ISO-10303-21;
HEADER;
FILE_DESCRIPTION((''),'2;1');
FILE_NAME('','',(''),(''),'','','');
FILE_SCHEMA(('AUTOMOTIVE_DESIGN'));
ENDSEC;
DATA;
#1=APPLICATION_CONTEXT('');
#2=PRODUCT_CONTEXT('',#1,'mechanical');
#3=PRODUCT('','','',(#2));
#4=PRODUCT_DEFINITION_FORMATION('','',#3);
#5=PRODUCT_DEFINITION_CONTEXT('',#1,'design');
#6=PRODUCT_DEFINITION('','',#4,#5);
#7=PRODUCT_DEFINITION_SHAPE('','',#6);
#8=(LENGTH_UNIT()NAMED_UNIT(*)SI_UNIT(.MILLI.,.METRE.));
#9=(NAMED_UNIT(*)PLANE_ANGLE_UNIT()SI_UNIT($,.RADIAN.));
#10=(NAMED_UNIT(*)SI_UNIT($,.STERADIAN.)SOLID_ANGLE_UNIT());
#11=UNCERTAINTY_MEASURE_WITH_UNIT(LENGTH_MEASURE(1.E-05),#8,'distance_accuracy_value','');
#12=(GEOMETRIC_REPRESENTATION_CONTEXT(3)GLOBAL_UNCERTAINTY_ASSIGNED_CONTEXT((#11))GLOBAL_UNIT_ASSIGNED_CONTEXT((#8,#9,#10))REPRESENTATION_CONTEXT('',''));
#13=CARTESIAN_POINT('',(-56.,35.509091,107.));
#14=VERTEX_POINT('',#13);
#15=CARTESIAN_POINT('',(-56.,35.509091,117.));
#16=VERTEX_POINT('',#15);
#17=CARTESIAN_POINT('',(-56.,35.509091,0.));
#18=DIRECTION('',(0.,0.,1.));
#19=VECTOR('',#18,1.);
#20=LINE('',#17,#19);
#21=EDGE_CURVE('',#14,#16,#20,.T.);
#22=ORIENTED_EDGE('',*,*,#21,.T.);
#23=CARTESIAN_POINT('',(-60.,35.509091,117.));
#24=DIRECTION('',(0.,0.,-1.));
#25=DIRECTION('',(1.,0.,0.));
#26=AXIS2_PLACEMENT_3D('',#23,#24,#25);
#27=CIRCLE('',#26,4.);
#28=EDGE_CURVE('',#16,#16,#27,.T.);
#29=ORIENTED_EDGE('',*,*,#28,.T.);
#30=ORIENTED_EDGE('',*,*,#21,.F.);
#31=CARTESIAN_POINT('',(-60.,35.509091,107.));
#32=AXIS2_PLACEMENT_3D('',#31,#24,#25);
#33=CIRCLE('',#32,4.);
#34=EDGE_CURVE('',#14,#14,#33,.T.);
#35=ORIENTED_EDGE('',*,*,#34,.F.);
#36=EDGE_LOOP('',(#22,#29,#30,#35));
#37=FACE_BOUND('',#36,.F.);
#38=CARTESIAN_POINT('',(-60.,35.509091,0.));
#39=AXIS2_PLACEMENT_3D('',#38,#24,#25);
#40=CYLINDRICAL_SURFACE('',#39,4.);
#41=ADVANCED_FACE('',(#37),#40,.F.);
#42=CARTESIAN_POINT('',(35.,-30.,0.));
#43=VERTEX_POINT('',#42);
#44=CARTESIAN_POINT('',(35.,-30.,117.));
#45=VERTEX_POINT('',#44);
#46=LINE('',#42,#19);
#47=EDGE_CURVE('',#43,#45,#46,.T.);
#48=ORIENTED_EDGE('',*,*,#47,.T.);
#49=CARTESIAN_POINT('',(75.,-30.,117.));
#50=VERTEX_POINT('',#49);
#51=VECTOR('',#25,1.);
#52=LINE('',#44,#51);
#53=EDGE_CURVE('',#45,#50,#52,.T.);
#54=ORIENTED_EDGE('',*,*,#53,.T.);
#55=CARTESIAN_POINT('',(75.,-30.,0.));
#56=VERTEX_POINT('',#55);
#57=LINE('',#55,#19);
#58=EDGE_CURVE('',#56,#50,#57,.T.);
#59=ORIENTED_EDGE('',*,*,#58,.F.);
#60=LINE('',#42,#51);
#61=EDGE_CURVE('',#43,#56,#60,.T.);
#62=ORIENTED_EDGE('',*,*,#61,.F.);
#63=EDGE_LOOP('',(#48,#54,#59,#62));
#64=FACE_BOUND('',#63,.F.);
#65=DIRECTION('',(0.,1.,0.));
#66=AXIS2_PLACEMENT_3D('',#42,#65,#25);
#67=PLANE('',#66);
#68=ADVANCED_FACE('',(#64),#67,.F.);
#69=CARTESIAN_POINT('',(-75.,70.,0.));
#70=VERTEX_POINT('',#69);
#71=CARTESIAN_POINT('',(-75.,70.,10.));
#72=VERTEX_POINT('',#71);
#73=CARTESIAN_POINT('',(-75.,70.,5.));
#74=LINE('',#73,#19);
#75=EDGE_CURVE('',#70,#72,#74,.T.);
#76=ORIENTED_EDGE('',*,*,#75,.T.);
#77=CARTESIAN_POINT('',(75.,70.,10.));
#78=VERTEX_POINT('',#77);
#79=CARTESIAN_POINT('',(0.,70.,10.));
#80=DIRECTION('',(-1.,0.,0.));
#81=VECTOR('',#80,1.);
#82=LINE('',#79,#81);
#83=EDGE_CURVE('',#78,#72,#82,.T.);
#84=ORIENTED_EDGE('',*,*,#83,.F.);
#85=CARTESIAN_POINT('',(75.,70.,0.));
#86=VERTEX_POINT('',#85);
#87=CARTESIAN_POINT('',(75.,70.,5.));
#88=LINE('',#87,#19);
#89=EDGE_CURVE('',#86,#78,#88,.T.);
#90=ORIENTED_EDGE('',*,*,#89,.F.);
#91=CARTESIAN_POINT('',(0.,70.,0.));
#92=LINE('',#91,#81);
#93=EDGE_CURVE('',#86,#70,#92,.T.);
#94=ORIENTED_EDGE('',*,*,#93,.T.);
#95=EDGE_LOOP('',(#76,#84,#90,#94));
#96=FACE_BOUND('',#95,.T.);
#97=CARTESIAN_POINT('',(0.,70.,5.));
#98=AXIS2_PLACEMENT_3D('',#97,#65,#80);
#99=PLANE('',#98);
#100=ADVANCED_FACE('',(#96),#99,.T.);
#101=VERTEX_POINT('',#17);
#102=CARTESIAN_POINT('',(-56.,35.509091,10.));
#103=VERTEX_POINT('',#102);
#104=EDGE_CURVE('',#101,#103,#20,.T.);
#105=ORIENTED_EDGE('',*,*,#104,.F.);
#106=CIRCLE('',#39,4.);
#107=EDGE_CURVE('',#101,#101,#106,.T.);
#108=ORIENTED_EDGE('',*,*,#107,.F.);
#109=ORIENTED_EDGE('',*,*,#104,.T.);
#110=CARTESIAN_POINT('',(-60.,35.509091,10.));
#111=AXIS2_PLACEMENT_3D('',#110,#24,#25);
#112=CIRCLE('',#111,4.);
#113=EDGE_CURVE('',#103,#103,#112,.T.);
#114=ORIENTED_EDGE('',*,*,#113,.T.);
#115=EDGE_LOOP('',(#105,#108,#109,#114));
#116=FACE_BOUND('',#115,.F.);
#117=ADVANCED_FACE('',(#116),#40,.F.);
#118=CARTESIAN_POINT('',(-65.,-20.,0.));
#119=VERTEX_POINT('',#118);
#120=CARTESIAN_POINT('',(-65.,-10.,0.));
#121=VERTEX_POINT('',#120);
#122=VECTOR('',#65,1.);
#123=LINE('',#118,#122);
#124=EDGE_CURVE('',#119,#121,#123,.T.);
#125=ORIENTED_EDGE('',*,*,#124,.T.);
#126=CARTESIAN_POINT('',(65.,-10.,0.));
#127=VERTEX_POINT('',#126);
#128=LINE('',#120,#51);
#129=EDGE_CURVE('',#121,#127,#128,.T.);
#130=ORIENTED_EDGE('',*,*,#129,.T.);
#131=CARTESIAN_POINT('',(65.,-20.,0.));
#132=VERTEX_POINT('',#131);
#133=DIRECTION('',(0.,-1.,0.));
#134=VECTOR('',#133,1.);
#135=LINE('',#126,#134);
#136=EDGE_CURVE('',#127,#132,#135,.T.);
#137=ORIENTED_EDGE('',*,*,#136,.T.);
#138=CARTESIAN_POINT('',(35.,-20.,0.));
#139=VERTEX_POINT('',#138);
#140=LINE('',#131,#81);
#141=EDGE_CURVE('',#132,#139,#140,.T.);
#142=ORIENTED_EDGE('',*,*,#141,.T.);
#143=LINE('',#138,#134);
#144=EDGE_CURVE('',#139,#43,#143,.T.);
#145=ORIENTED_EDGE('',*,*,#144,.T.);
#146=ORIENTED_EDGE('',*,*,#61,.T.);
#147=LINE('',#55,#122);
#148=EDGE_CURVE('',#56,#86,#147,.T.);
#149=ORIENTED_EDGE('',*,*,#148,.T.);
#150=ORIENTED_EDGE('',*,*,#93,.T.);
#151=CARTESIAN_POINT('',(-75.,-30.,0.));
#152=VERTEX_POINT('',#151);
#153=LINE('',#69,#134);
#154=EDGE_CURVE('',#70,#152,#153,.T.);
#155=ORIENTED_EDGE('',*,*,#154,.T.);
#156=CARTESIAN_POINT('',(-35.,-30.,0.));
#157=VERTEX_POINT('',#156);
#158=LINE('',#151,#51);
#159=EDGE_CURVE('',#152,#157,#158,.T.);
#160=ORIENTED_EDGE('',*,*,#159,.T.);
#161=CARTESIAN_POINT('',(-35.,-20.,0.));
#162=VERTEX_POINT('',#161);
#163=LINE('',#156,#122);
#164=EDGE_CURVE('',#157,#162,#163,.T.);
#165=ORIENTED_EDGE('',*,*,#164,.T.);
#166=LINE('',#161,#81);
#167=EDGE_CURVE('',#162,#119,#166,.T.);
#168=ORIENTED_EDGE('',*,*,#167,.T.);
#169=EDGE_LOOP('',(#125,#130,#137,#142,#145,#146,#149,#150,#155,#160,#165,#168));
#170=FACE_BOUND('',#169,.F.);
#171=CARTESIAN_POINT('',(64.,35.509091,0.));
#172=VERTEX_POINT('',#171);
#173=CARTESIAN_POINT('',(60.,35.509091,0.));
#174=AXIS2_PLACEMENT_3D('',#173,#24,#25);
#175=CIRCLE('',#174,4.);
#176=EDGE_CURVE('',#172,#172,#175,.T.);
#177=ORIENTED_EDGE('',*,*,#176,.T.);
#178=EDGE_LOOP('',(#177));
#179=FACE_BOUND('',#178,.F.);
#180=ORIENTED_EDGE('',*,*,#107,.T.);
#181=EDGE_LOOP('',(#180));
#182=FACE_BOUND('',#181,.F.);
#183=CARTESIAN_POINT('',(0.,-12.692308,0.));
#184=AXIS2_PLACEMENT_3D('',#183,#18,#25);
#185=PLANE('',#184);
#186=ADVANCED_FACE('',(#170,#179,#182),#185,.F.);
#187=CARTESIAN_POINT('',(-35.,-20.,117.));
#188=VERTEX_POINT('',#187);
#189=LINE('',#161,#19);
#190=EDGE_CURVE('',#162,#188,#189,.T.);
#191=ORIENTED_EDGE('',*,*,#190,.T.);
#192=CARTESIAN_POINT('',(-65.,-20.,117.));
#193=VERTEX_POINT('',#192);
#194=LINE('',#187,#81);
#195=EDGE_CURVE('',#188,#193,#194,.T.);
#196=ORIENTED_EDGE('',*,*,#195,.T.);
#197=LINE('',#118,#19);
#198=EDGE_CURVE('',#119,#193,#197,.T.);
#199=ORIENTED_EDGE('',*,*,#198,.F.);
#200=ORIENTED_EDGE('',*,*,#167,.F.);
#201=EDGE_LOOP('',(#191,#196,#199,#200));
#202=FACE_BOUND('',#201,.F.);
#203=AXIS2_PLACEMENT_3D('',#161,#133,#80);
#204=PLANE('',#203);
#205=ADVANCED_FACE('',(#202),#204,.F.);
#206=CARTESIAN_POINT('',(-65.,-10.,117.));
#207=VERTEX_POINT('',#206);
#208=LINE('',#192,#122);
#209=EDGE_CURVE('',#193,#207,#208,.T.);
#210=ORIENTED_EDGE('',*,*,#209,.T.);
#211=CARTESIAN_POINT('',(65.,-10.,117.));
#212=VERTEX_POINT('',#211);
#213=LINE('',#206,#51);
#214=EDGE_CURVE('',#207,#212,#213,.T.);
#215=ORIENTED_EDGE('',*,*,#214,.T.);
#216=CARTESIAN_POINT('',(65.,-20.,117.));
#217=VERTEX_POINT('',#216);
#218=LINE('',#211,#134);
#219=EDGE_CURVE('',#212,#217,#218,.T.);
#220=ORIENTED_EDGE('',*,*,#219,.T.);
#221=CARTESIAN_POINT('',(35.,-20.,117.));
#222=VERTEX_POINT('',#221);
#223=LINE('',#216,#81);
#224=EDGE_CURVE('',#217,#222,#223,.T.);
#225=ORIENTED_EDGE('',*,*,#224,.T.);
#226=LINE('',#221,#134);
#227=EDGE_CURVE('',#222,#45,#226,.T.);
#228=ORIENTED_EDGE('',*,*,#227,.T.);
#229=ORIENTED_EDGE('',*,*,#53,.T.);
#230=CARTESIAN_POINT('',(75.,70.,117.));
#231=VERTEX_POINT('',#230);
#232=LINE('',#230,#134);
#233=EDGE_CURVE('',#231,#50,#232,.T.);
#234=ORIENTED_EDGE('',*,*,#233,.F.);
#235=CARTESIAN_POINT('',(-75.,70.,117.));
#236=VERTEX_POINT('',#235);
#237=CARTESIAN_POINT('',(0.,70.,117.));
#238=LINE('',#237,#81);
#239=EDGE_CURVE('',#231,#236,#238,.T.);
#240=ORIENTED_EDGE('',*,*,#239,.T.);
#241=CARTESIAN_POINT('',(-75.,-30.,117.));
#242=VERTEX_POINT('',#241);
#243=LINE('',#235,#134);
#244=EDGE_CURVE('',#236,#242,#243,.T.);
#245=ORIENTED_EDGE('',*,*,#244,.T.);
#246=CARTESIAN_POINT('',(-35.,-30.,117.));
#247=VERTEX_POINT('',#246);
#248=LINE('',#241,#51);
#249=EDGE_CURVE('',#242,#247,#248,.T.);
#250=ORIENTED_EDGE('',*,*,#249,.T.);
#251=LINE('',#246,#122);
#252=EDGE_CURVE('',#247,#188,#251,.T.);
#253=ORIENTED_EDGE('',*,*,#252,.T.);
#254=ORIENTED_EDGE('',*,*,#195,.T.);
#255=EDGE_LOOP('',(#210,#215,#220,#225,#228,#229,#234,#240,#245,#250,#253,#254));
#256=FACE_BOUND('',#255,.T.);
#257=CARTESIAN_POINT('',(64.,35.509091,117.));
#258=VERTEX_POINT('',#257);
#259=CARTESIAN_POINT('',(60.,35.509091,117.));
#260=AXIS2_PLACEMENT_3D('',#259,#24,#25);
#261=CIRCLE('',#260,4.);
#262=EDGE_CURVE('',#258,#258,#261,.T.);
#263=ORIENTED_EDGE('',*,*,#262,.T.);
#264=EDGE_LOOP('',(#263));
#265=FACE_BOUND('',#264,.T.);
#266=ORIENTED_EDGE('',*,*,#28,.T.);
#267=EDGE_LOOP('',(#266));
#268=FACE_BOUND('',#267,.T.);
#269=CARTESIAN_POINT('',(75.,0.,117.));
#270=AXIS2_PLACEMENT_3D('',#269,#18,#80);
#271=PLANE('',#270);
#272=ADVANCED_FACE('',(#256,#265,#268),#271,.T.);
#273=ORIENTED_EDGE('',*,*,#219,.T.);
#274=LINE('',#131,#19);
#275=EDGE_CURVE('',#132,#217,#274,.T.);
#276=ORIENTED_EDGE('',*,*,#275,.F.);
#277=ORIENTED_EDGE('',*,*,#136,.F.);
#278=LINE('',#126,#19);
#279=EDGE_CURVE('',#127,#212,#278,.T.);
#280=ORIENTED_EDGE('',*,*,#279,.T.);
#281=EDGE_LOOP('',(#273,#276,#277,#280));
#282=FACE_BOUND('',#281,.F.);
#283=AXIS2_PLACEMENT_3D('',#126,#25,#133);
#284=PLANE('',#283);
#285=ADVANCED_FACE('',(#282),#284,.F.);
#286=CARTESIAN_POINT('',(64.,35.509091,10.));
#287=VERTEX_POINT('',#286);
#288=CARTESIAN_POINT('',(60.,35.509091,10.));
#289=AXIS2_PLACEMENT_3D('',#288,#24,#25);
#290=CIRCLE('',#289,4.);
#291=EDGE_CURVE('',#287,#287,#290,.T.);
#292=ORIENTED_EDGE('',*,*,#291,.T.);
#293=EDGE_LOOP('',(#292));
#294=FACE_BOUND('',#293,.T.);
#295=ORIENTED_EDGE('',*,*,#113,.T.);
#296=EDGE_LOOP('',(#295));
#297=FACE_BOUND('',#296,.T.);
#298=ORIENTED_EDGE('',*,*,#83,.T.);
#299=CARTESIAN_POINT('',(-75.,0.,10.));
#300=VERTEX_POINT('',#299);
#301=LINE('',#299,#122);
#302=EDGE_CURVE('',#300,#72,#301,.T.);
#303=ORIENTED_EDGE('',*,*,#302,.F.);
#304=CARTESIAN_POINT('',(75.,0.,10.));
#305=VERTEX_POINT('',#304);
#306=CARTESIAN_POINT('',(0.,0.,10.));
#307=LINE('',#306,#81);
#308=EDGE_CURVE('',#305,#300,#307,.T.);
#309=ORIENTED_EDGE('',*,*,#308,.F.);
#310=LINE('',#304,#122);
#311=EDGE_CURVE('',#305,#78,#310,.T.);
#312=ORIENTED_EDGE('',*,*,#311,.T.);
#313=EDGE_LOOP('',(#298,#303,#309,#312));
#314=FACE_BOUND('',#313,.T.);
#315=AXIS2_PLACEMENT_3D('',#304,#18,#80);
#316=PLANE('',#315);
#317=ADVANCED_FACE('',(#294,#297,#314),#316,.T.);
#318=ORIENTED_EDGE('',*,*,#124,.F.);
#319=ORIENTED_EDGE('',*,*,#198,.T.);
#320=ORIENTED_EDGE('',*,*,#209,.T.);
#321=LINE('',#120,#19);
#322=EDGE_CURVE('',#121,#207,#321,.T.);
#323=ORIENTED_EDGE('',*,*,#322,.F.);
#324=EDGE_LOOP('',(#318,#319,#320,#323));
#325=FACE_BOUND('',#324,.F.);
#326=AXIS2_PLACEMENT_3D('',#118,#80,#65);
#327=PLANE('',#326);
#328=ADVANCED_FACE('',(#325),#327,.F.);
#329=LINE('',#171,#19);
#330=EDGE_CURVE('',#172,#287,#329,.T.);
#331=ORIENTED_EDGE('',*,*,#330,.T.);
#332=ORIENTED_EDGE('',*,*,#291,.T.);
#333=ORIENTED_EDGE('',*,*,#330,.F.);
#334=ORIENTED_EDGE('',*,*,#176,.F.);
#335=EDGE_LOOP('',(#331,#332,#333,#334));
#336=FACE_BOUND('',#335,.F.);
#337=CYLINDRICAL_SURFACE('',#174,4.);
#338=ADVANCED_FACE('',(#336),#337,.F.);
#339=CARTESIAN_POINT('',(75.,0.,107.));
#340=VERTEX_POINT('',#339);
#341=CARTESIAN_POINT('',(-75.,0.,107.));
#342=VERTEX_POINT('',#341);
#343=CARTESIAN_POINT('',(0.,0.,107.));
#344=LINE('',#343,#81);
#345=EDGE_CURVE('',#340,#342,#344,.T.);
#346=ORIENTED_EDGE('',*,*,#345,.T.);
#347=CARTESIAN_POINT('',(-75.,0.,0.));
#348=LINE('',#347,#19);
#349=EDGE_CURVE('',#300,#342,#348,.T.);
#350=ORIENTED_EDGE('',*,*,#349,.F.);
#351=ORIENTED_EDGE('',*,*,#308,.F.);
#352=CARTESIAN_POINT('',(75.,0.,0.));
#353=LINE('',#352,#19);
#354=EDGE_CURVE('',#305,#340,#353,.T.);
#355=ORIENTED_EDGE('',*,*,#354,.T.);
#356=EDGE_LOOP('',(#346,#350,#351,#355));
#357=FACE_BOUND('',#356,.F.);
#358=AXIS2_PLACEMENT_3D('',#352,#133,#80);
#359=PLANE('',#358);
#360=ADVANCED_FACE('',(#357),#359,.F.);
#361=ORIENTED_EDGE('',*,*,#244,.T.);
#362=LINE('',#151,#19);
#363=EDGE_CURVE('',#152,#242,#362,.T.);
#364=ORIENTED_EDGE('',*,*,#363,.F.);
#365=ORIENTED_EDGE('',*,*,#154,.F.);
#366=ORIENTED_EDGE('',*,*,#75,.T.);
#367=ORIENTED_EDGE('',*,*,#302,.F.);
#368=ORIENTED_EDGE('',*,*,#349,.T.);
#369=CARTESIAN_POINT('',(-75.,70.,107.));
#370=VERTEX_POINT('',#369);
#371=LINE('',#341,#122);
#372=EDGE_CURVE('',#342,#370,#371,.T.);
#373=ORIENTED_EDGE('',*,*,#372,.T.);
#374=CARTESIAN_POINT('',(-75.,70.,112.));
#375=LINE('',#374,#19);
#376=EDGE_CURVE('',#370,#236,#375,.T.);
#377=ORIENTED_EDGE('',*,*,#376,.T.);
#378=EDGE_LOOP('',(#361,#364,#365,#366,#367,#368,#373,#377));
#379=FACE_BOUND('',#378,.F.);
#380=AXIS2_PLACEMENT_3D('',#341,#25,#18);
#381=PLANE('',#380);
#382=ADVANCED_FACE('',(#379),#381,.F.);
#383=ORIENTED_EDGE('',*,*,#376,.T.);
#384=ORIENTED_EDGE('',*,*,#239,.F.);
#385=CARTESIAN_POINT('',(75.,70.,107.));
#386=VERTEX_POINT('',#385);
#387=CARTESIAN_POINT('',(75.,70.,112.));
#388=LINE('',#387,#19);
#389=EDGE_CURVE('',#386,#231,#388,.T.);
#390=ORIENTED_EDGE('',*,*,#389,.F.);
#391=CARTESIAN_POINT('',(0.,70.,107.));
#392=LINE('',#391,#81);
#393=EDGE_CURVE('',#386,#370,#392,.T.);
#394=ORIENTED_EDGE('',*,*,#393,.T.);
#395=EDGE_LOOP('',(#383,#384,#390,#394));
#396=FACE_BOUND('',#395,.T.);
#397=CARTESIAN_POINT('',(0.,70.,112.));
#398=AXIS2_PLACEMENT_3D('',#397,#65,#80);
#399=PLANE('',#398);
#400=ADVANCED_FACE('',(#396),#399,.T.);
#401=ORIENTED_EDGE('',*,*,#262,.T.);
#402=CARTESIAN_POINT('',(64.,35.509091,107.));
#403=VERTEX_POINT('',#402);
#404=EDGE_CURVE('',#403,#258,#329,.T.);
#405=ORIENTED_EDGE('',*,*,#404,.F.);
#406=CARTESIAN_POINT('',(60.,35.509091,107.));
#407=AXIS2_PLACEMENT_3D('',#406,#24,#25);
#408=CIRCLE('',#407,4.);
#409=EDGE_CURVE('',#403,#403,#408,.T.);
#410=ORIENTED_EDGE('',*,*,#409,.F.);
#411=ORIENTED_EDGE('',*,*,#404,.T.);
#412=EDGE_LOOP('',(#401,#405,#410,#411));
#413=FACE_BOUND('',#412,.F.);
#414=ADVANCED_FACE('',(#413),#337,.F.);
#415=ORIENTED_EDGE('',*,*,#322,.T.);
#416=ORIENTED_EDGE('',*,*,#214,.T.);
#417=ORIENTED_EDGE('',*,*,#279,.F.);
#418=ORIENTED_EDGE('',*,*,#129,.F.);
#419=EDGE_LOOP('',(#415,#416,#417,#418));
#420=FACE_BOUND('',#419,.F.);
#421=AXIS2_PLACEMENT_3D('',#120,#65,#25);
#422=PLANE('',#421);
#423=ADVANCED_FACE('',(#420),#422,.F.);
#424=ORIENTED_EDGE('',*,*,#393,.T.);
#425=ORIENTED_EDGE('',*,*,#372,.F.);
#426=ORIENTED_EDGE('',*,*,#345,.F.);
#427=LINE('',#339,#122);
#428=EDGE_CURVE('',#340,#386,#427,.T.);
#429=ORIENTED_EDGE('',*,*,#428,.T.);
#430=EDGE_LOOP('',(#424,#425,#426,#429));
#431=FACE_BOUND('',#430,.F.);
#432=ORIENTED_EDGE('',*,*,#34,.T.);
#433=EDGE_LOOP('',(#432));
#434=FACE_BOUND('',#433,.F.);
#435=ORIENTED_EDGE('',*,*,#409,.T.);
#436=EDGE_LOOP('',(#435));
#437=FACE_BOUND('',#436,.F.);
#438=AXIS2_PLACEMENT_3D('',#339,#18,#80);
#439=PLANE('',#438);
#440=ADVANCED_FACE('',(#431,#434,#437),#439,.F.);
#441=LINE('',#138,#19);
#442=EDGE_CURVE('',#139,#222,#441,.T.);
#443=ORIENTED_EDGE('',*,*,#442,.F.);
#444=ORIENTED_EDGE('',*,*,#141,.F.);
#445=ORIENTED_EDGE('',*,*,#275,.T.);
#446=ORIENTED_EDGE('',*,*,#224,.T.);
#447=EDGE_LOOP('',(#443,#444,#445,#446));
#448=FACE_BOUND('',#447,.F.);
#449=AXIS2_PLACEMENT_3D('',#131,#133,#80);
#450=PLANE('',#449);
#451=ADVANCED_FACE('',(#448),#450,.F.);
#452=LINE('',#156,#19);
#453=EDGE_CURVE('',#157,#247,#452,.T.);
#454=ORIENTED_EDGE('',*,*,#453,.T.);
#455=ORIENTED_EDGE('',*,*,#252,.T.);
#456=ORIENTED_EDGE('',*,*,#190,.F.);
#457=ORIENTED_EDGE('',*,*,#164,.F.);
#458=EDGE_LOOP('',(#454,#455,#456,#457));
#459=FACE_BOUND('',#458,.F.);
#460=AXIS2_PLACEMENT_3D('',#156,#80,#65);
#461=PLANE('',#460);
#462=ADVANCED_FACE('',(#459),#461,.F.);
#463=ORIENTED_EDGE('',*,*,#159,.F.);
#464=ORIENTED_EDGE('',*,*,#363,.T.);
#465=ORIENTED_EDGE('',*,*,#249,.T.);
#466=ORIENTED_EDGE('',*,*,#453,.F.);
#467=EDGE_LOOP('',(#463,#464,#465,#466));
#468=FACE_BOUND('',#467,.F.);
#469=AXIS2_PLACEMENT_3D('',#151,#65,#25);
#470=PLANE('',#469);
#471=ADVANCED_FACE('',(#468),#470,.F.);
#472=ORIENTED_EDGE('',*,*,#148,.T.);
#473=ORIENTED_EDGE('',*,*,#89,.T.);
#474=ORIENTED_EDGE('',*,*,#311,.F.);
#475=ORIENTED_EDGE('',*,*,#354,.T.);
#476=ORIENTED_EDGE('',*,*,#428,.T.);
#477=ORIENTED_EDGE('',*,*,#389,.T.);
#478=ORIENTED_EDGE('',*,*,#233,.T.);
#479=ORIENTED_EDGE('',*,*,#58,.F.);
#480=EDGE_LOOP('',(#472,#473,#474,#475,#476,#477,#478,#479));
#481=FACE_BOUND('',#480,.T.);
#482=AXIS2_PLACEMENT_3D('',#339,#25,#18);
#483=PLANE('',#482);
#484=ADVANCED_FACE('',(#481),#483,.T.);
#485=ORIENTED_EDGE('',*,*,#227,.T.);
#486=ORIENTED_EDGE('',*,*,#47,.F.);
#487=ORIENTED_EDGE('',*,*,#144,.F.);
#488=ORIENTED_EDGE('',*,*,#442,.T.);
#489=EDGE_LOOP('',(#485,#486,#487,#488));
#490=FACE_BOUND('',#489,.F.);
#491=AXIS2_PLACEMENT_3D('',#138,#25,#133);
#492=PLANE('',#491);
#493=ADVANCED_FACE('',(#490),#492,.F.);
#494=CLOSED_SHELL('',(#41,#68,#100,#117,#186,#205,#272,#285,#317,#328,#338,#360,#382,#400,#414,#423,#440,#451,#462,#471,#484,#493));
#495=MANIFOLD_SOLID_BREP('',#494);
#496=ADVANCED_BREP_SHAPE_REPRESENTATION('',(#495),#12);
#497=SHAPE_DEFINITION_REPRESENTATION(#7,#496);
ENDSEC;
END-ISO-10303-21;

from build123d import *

# Parameters (mm, degrees)
F1_DEPTH = 117
F2_W     = 150
F2_H     = 10
F3_DEPTH = 70
F4_R     = 4
F5_DEPTH = 139.1


with BuildPart() as f1:
    # F0 (on Top) → F1 (new body)
    with BuildSketch(Plane.XY):
        Polygon((-75, -30), (-35, -30), (-35, -20), (-65, -20), (-65, -10), (65, -10), (65, -20), (35, -20), (35, -30), (75, -30), (75, 0), (-75, 0), align=None)
    extrude(amount=F1_DEPTH)

    # F2 (on face) → F3 (join)
    with BuildSketch(Plane(origin=(0, 0, 0), x_dir=(-1, 0, 0), z_dir=(0, 1, 0))):
        with Locations((0, 112)):
            Rectangle(F2_W, F2_H)
        with Locations((0, 5)):
            Rectangle(F2_W, F2_H)
    extrude(amount=F3_DEPTH)

    # F4 (on face) → F5 (cut)
    with BuildSketch(Plane(origin=(0, 0, 0), x_dir=(1, 0, 0), z_dir=(0, 0, -1))):
        with Locations((-60, -35.509091)):
            Circle(F4_R)
        with Locations((60, -35.509091)):
            Circle(F4_R)
    extrude(amount=-F5_DEPTH, mode=Mode.SUBTRACT)


solid = f1.part
